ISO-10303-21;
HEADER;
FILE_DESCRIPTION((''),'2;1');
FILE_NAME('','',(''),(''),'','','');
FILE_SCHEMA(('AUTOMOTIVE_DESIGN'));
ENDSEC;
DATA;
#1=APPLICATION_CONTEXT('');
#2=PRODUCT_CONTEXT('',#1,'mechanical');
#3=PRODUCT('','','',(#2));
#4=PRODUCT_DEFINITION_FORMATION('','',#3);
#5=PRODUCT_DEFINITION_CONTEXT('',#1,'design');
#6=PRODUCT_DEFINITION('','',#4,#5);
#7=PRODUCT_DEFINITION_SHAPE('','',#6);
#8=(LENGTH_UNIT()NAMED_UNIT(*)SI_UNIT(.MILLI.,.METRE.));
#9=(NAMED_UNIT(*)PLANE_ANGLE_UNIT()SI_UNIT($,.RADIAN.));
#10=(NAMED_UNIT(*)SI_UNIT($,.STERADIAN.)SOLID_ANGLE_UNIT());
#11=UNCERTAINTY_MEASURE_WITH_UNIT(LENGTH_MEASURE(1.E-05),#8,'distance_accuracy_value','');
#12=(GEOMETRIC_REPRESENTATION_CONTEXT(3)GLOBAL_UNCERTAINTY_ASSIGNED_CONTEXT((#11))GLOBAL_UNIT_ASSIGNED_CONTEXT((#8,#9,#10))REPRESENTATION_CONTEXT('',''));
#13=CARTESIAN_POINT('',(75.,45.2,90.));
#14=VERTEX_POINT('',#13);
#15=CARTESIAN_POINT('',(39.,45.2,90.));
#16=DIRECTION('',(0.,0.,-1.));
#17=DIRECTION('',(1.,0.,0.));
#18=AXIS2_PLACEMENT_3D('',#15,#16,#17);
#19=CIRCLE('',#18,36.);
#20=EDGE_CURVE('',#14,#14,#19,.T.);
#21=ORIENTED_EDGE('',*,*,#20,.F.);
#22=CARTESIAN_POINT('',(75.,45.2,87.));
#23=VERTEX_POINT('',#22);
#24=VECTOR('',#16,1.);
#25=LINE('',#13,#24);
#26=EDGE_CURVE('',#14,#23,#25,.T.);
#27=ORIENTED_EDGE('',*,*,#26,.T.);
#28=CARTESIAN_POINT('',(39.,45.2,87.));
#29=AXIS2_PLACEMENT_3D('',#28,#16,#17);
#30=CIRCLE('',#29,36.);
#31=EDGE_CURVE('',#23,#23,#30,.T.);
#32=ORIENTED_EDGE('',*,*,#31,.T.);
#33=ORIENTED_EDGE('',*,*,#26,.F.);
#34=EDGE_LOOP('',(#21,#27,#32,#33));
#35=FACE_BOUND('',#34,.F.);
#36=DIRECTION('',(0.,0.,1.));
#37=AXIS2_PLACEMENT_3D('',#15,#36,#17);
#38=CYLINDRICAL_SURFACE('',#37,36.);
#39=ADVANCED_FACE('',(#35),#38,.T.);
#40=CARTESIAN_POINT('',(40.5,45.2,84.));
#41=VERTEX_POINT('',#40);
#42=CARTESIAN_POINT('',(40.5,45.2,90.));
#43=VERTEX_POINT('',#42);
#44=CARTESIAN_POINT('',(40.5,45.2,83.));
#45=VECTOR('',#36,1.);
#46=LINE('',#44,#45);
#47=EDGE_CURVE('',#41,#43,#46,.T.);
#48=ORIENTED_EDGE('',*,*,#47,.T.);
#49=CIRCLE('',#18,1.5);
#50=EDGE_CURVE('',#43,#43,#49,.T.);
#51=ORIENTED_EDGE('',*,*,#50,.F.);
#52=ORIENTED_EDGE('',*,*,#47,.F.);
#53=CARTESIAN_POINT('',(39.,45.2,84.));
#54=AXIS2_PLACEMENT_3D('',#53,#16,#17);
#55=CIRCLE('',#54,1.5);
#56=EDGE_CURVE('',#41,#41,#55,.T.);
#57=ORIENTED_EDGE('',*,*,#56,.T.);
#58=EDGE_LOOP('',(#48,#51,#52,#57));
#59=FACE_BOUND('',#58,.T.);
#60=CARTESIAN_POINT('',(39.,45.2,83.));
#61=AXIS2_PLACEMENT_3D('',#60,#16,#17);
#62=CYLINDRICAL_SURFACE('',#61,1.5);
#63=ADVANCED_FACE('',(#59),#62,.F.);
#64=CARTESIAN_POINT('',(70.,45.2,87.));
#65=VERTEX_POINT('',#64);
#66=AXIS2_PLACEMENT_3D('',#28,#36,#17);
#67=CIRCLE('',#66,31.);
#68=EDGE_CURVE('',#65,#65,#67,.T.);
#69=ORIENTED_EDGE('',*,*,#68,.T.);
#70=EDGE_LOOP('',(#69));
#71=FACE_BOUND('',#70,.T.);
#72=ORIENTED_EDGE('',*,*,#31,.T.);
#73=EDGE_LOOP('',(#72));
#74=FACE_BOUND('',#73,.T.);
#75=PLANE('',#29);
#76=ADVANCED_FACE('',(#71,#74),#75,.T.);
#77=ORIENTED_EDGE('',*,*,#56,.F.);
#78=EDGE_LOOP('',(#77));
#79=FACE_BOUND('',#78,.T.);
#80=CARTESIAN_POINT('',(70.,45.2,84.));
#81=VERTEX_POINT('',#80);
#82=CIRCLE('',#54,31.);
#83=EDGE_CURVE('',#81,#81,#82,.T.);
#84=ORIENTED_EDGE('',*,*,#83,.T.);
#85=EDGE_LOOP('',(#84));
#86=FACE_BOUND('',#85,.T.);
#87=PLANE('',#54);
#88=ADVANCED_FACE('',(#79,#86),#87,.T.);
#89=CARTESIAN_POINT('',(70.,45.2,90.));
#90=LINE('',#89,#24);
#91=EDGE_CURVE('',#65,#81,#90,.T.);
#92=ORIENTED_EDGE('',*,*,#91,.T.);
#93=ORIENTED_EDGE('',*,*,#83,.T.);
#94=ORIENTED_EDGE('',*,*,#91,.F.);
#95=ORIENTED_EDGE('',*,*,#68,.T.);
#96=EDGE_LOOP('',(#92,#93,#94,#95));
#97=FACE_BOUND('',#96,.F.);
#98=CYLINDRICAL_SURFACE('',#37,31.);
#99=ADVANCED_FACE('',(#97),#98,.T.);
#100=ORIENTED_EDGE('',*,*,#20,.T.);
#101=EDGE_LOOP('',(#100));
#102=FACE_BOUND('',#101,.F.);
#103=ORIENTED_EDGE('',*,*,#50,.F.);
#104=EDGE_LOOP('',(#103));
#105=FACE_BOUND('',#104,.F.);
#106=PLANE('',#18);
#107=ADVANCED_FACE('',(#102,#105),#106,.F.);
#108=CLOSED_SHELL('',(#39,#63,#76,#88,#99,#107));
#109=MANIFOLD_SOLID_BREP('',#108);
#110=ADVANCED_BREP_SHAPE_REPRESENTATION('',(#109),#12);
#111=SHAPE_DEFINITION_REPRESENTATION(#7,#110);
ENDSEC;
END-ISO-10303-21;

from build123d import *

# Parameters (mm, degrees)
CYLINDER052_R             = 1.5
CYLINDER052_DEPTH         = 10
CYLINDER048_R             = 31
CYLINDER048_DEPTH         = 6
CYLINDER047_R             = 36
CYLINDER047_DEPTH         = 3
FUSION025_PLACEMENT_ANGLE = 180


with BuildPart() as cylinder052:
    # Cylinder052 → Cylinder052 (new body)
    with BuildSketch(Plane(origin=(39, 45.2, 83), x_dir=(1, 0, 0), z_dir=(0, 0, 1))):
        Circle(CYLINDER052_R)
    extrude(amount=CYLINDER052_DEPTH)


with BuildPart() as cylinder048:
    # Cylinder048 → Cylinder048 (new body)
    with BuildSketch(Plane.XY):
        Circle(CYLINDER048_R)
    extrude(amount=CYLINDER048_DEPTH)


with BuildPart() as cap:
    # Cylinder047 → Cylinder047 (new body)
    with BuildSketch(Plane.XY):
        Circle(CYLINDER047_R)
    extrude(amount=CYLINDER047_DEPTH)

    # Fusion025: union Cylinder048
    add(cylinder048.part)


with BuildPart() as cap_1:
    # Fusion025 placement: moved
    add(cap.part.moved(Location((39, 45.2, 90))).rotate(Axis((39, 45.2, 90), (1, 0, 0)), FUSION025_PLACEMENT_ANGLE))

    # Cut055: cut Cylinder052
    add(cylinder052.part, mode=Mode.SUBTRACT)


solid = cap_1.part
